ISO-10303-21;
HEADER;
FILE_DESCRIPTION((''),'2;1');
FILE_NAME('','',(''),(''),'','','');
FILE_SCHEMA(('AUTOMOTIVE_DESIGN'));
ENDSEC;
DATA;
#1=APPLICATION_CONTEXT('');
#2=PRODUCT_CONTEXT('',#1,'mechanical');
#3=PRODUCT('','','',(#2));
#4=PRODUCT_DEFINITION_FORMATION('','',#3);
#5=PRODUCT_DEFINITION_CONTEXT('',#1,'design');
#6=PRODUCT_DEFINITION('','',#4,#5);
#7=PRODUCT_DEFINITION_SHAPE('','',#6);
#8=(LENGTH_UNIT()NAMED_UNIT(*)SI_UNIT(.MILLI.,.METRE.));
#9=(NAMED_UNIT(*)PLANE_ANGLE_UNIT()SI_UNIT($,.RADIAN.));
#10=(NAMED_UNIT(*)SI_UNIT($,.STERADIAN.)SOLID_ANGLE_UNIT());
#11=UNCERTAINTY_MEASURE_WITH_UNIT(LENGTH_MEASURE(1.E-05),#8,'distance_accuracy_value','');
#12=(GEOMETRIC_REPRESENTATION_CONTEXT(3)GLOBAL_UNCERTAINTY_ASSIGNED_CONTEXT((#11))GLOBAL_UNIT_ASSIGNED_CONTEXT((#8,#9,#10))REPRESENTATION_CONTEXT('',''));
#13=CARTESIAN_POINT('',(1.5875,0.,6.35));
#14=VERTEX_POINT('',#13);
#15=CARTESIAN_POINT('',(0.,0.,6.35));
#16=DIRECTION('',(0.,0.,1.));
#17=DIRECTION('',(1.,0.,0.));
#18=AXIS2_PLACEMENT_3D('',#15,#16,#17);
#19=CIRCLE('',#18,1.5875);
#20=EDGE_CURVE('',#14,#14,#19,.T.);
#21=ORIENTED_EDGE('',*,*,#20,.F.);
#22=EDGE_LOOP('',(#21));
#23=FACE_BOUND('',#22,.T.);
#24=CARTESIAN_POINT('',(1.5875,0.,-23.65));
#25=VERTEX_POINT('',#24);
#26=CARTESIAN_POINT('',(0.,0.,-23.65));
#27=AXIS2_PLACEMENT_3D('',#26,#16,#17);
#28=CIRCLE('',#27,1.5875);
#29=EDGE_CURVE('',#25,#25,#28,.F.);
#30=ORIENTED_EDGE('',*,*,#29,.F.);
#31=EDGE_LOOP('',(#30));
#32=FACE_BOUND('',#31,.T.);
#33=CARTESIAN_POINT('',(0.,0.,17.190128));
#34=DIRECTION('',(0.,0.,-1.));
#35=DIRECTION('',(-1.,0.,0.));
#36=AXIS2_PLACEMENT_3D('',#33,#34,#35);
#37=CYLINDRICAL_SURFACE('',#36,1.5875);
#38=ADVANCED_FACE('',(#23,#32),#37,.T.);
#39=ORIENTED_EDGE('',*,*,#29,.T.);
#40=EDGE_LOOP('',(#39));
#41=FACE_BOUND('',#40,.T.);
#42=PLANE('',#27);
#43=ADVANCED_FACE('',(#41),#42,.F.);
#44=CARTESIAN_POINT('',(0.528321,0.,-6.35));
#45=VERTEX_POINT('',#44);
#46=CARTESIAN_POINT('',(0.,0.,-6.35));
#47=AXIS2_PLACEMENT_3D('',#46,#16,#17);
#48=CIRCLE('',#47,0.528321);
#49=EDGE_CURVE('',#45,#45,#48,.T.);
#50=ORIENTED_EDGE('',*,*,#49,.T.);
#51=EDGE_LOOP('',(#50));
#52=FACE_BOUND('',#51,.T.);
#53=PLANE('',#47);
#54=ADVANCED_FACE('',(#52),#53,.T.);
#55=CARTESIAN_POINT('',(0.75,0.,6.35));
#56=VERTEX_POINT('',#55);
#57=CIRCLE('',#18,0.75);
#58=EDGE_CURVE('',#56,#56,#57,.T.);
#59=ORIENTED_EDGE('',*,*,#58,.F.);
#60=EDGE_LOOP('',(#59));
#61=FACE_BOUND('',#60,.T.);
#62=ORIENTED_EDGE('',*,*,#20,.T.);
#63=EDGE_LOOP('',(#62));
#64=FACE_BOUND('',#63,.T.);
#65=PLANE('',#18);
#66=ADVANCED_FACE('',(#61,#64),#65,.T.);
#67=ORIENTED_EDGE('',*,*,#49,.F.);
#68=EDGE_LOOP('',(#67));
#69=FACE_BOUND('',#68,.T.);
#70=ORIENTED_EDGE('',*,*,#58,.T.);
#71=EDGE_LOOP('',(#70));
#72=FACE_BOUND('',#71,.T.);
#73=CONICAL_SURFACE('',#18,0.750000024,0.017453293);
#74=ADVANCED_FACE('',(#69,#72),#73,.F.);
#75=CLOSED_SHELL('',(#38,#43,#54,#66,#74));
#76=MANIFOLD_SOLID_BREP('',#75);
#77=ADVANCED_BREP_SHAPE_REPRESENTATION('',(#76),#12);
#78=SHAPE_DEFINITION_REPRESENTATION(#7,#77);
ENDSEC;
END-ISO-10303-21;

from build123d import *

# Parameters (mm, degrees)
SKETCH1_R                = 1.5875
BOSS_EXTRUDE1_DEPTH      = 6.35
BOSS_EXTRUDE1_DEPTH_BACK = 31.304
SKETCH2_R                = 1.5875
CUT_EXTRUDE1_DEPTH       = 7.654
SKETCH3_R                = 0.750000024
CUT_EXTRUDE2_DEPTH       = 12.7
CUT_EXTRUDE2_TAPER       = 1


with BuildPart() as part:
    # Sketch1 → Boss-Extrude1 (new body, two sides)
    with BuildSketch(Plane.XY) as boss_extrude1_sk:
        Circle(SKETCH1_R)
    extrude(amount=BOSS_EXTRUDE1_DEPTH)
    extrude(boss_extrude1_sk.sketch, amount=-BOSS_EXTRUDE1_DEPTH_BACK)

    # Sketch2 → Cut-Extrude1 (cut)
    with BuildSketch(Plane(origin=(0, 0, -31.304), x_dir=(-1, 0, 0), z_dir=(0, 0, -1))):
        Circle(SKETCH2_R)
    extrude(amount=-CUT_EXTRUDE1_DEPTH, mode=Mode.SUBTRACT)

    # Sketch3 → Cut-Extrude2 (cut)
    with BuildSketch(Plane.XY.offset(6.35)):
        Circle(SKETCH3_R)
    extrude(amount=-CUT_EXTRUDE2_DEPTH, taper=CUT_EXTRUDE2_TAPER, mode=Mode.SUBTRACT)


solid = part.part
